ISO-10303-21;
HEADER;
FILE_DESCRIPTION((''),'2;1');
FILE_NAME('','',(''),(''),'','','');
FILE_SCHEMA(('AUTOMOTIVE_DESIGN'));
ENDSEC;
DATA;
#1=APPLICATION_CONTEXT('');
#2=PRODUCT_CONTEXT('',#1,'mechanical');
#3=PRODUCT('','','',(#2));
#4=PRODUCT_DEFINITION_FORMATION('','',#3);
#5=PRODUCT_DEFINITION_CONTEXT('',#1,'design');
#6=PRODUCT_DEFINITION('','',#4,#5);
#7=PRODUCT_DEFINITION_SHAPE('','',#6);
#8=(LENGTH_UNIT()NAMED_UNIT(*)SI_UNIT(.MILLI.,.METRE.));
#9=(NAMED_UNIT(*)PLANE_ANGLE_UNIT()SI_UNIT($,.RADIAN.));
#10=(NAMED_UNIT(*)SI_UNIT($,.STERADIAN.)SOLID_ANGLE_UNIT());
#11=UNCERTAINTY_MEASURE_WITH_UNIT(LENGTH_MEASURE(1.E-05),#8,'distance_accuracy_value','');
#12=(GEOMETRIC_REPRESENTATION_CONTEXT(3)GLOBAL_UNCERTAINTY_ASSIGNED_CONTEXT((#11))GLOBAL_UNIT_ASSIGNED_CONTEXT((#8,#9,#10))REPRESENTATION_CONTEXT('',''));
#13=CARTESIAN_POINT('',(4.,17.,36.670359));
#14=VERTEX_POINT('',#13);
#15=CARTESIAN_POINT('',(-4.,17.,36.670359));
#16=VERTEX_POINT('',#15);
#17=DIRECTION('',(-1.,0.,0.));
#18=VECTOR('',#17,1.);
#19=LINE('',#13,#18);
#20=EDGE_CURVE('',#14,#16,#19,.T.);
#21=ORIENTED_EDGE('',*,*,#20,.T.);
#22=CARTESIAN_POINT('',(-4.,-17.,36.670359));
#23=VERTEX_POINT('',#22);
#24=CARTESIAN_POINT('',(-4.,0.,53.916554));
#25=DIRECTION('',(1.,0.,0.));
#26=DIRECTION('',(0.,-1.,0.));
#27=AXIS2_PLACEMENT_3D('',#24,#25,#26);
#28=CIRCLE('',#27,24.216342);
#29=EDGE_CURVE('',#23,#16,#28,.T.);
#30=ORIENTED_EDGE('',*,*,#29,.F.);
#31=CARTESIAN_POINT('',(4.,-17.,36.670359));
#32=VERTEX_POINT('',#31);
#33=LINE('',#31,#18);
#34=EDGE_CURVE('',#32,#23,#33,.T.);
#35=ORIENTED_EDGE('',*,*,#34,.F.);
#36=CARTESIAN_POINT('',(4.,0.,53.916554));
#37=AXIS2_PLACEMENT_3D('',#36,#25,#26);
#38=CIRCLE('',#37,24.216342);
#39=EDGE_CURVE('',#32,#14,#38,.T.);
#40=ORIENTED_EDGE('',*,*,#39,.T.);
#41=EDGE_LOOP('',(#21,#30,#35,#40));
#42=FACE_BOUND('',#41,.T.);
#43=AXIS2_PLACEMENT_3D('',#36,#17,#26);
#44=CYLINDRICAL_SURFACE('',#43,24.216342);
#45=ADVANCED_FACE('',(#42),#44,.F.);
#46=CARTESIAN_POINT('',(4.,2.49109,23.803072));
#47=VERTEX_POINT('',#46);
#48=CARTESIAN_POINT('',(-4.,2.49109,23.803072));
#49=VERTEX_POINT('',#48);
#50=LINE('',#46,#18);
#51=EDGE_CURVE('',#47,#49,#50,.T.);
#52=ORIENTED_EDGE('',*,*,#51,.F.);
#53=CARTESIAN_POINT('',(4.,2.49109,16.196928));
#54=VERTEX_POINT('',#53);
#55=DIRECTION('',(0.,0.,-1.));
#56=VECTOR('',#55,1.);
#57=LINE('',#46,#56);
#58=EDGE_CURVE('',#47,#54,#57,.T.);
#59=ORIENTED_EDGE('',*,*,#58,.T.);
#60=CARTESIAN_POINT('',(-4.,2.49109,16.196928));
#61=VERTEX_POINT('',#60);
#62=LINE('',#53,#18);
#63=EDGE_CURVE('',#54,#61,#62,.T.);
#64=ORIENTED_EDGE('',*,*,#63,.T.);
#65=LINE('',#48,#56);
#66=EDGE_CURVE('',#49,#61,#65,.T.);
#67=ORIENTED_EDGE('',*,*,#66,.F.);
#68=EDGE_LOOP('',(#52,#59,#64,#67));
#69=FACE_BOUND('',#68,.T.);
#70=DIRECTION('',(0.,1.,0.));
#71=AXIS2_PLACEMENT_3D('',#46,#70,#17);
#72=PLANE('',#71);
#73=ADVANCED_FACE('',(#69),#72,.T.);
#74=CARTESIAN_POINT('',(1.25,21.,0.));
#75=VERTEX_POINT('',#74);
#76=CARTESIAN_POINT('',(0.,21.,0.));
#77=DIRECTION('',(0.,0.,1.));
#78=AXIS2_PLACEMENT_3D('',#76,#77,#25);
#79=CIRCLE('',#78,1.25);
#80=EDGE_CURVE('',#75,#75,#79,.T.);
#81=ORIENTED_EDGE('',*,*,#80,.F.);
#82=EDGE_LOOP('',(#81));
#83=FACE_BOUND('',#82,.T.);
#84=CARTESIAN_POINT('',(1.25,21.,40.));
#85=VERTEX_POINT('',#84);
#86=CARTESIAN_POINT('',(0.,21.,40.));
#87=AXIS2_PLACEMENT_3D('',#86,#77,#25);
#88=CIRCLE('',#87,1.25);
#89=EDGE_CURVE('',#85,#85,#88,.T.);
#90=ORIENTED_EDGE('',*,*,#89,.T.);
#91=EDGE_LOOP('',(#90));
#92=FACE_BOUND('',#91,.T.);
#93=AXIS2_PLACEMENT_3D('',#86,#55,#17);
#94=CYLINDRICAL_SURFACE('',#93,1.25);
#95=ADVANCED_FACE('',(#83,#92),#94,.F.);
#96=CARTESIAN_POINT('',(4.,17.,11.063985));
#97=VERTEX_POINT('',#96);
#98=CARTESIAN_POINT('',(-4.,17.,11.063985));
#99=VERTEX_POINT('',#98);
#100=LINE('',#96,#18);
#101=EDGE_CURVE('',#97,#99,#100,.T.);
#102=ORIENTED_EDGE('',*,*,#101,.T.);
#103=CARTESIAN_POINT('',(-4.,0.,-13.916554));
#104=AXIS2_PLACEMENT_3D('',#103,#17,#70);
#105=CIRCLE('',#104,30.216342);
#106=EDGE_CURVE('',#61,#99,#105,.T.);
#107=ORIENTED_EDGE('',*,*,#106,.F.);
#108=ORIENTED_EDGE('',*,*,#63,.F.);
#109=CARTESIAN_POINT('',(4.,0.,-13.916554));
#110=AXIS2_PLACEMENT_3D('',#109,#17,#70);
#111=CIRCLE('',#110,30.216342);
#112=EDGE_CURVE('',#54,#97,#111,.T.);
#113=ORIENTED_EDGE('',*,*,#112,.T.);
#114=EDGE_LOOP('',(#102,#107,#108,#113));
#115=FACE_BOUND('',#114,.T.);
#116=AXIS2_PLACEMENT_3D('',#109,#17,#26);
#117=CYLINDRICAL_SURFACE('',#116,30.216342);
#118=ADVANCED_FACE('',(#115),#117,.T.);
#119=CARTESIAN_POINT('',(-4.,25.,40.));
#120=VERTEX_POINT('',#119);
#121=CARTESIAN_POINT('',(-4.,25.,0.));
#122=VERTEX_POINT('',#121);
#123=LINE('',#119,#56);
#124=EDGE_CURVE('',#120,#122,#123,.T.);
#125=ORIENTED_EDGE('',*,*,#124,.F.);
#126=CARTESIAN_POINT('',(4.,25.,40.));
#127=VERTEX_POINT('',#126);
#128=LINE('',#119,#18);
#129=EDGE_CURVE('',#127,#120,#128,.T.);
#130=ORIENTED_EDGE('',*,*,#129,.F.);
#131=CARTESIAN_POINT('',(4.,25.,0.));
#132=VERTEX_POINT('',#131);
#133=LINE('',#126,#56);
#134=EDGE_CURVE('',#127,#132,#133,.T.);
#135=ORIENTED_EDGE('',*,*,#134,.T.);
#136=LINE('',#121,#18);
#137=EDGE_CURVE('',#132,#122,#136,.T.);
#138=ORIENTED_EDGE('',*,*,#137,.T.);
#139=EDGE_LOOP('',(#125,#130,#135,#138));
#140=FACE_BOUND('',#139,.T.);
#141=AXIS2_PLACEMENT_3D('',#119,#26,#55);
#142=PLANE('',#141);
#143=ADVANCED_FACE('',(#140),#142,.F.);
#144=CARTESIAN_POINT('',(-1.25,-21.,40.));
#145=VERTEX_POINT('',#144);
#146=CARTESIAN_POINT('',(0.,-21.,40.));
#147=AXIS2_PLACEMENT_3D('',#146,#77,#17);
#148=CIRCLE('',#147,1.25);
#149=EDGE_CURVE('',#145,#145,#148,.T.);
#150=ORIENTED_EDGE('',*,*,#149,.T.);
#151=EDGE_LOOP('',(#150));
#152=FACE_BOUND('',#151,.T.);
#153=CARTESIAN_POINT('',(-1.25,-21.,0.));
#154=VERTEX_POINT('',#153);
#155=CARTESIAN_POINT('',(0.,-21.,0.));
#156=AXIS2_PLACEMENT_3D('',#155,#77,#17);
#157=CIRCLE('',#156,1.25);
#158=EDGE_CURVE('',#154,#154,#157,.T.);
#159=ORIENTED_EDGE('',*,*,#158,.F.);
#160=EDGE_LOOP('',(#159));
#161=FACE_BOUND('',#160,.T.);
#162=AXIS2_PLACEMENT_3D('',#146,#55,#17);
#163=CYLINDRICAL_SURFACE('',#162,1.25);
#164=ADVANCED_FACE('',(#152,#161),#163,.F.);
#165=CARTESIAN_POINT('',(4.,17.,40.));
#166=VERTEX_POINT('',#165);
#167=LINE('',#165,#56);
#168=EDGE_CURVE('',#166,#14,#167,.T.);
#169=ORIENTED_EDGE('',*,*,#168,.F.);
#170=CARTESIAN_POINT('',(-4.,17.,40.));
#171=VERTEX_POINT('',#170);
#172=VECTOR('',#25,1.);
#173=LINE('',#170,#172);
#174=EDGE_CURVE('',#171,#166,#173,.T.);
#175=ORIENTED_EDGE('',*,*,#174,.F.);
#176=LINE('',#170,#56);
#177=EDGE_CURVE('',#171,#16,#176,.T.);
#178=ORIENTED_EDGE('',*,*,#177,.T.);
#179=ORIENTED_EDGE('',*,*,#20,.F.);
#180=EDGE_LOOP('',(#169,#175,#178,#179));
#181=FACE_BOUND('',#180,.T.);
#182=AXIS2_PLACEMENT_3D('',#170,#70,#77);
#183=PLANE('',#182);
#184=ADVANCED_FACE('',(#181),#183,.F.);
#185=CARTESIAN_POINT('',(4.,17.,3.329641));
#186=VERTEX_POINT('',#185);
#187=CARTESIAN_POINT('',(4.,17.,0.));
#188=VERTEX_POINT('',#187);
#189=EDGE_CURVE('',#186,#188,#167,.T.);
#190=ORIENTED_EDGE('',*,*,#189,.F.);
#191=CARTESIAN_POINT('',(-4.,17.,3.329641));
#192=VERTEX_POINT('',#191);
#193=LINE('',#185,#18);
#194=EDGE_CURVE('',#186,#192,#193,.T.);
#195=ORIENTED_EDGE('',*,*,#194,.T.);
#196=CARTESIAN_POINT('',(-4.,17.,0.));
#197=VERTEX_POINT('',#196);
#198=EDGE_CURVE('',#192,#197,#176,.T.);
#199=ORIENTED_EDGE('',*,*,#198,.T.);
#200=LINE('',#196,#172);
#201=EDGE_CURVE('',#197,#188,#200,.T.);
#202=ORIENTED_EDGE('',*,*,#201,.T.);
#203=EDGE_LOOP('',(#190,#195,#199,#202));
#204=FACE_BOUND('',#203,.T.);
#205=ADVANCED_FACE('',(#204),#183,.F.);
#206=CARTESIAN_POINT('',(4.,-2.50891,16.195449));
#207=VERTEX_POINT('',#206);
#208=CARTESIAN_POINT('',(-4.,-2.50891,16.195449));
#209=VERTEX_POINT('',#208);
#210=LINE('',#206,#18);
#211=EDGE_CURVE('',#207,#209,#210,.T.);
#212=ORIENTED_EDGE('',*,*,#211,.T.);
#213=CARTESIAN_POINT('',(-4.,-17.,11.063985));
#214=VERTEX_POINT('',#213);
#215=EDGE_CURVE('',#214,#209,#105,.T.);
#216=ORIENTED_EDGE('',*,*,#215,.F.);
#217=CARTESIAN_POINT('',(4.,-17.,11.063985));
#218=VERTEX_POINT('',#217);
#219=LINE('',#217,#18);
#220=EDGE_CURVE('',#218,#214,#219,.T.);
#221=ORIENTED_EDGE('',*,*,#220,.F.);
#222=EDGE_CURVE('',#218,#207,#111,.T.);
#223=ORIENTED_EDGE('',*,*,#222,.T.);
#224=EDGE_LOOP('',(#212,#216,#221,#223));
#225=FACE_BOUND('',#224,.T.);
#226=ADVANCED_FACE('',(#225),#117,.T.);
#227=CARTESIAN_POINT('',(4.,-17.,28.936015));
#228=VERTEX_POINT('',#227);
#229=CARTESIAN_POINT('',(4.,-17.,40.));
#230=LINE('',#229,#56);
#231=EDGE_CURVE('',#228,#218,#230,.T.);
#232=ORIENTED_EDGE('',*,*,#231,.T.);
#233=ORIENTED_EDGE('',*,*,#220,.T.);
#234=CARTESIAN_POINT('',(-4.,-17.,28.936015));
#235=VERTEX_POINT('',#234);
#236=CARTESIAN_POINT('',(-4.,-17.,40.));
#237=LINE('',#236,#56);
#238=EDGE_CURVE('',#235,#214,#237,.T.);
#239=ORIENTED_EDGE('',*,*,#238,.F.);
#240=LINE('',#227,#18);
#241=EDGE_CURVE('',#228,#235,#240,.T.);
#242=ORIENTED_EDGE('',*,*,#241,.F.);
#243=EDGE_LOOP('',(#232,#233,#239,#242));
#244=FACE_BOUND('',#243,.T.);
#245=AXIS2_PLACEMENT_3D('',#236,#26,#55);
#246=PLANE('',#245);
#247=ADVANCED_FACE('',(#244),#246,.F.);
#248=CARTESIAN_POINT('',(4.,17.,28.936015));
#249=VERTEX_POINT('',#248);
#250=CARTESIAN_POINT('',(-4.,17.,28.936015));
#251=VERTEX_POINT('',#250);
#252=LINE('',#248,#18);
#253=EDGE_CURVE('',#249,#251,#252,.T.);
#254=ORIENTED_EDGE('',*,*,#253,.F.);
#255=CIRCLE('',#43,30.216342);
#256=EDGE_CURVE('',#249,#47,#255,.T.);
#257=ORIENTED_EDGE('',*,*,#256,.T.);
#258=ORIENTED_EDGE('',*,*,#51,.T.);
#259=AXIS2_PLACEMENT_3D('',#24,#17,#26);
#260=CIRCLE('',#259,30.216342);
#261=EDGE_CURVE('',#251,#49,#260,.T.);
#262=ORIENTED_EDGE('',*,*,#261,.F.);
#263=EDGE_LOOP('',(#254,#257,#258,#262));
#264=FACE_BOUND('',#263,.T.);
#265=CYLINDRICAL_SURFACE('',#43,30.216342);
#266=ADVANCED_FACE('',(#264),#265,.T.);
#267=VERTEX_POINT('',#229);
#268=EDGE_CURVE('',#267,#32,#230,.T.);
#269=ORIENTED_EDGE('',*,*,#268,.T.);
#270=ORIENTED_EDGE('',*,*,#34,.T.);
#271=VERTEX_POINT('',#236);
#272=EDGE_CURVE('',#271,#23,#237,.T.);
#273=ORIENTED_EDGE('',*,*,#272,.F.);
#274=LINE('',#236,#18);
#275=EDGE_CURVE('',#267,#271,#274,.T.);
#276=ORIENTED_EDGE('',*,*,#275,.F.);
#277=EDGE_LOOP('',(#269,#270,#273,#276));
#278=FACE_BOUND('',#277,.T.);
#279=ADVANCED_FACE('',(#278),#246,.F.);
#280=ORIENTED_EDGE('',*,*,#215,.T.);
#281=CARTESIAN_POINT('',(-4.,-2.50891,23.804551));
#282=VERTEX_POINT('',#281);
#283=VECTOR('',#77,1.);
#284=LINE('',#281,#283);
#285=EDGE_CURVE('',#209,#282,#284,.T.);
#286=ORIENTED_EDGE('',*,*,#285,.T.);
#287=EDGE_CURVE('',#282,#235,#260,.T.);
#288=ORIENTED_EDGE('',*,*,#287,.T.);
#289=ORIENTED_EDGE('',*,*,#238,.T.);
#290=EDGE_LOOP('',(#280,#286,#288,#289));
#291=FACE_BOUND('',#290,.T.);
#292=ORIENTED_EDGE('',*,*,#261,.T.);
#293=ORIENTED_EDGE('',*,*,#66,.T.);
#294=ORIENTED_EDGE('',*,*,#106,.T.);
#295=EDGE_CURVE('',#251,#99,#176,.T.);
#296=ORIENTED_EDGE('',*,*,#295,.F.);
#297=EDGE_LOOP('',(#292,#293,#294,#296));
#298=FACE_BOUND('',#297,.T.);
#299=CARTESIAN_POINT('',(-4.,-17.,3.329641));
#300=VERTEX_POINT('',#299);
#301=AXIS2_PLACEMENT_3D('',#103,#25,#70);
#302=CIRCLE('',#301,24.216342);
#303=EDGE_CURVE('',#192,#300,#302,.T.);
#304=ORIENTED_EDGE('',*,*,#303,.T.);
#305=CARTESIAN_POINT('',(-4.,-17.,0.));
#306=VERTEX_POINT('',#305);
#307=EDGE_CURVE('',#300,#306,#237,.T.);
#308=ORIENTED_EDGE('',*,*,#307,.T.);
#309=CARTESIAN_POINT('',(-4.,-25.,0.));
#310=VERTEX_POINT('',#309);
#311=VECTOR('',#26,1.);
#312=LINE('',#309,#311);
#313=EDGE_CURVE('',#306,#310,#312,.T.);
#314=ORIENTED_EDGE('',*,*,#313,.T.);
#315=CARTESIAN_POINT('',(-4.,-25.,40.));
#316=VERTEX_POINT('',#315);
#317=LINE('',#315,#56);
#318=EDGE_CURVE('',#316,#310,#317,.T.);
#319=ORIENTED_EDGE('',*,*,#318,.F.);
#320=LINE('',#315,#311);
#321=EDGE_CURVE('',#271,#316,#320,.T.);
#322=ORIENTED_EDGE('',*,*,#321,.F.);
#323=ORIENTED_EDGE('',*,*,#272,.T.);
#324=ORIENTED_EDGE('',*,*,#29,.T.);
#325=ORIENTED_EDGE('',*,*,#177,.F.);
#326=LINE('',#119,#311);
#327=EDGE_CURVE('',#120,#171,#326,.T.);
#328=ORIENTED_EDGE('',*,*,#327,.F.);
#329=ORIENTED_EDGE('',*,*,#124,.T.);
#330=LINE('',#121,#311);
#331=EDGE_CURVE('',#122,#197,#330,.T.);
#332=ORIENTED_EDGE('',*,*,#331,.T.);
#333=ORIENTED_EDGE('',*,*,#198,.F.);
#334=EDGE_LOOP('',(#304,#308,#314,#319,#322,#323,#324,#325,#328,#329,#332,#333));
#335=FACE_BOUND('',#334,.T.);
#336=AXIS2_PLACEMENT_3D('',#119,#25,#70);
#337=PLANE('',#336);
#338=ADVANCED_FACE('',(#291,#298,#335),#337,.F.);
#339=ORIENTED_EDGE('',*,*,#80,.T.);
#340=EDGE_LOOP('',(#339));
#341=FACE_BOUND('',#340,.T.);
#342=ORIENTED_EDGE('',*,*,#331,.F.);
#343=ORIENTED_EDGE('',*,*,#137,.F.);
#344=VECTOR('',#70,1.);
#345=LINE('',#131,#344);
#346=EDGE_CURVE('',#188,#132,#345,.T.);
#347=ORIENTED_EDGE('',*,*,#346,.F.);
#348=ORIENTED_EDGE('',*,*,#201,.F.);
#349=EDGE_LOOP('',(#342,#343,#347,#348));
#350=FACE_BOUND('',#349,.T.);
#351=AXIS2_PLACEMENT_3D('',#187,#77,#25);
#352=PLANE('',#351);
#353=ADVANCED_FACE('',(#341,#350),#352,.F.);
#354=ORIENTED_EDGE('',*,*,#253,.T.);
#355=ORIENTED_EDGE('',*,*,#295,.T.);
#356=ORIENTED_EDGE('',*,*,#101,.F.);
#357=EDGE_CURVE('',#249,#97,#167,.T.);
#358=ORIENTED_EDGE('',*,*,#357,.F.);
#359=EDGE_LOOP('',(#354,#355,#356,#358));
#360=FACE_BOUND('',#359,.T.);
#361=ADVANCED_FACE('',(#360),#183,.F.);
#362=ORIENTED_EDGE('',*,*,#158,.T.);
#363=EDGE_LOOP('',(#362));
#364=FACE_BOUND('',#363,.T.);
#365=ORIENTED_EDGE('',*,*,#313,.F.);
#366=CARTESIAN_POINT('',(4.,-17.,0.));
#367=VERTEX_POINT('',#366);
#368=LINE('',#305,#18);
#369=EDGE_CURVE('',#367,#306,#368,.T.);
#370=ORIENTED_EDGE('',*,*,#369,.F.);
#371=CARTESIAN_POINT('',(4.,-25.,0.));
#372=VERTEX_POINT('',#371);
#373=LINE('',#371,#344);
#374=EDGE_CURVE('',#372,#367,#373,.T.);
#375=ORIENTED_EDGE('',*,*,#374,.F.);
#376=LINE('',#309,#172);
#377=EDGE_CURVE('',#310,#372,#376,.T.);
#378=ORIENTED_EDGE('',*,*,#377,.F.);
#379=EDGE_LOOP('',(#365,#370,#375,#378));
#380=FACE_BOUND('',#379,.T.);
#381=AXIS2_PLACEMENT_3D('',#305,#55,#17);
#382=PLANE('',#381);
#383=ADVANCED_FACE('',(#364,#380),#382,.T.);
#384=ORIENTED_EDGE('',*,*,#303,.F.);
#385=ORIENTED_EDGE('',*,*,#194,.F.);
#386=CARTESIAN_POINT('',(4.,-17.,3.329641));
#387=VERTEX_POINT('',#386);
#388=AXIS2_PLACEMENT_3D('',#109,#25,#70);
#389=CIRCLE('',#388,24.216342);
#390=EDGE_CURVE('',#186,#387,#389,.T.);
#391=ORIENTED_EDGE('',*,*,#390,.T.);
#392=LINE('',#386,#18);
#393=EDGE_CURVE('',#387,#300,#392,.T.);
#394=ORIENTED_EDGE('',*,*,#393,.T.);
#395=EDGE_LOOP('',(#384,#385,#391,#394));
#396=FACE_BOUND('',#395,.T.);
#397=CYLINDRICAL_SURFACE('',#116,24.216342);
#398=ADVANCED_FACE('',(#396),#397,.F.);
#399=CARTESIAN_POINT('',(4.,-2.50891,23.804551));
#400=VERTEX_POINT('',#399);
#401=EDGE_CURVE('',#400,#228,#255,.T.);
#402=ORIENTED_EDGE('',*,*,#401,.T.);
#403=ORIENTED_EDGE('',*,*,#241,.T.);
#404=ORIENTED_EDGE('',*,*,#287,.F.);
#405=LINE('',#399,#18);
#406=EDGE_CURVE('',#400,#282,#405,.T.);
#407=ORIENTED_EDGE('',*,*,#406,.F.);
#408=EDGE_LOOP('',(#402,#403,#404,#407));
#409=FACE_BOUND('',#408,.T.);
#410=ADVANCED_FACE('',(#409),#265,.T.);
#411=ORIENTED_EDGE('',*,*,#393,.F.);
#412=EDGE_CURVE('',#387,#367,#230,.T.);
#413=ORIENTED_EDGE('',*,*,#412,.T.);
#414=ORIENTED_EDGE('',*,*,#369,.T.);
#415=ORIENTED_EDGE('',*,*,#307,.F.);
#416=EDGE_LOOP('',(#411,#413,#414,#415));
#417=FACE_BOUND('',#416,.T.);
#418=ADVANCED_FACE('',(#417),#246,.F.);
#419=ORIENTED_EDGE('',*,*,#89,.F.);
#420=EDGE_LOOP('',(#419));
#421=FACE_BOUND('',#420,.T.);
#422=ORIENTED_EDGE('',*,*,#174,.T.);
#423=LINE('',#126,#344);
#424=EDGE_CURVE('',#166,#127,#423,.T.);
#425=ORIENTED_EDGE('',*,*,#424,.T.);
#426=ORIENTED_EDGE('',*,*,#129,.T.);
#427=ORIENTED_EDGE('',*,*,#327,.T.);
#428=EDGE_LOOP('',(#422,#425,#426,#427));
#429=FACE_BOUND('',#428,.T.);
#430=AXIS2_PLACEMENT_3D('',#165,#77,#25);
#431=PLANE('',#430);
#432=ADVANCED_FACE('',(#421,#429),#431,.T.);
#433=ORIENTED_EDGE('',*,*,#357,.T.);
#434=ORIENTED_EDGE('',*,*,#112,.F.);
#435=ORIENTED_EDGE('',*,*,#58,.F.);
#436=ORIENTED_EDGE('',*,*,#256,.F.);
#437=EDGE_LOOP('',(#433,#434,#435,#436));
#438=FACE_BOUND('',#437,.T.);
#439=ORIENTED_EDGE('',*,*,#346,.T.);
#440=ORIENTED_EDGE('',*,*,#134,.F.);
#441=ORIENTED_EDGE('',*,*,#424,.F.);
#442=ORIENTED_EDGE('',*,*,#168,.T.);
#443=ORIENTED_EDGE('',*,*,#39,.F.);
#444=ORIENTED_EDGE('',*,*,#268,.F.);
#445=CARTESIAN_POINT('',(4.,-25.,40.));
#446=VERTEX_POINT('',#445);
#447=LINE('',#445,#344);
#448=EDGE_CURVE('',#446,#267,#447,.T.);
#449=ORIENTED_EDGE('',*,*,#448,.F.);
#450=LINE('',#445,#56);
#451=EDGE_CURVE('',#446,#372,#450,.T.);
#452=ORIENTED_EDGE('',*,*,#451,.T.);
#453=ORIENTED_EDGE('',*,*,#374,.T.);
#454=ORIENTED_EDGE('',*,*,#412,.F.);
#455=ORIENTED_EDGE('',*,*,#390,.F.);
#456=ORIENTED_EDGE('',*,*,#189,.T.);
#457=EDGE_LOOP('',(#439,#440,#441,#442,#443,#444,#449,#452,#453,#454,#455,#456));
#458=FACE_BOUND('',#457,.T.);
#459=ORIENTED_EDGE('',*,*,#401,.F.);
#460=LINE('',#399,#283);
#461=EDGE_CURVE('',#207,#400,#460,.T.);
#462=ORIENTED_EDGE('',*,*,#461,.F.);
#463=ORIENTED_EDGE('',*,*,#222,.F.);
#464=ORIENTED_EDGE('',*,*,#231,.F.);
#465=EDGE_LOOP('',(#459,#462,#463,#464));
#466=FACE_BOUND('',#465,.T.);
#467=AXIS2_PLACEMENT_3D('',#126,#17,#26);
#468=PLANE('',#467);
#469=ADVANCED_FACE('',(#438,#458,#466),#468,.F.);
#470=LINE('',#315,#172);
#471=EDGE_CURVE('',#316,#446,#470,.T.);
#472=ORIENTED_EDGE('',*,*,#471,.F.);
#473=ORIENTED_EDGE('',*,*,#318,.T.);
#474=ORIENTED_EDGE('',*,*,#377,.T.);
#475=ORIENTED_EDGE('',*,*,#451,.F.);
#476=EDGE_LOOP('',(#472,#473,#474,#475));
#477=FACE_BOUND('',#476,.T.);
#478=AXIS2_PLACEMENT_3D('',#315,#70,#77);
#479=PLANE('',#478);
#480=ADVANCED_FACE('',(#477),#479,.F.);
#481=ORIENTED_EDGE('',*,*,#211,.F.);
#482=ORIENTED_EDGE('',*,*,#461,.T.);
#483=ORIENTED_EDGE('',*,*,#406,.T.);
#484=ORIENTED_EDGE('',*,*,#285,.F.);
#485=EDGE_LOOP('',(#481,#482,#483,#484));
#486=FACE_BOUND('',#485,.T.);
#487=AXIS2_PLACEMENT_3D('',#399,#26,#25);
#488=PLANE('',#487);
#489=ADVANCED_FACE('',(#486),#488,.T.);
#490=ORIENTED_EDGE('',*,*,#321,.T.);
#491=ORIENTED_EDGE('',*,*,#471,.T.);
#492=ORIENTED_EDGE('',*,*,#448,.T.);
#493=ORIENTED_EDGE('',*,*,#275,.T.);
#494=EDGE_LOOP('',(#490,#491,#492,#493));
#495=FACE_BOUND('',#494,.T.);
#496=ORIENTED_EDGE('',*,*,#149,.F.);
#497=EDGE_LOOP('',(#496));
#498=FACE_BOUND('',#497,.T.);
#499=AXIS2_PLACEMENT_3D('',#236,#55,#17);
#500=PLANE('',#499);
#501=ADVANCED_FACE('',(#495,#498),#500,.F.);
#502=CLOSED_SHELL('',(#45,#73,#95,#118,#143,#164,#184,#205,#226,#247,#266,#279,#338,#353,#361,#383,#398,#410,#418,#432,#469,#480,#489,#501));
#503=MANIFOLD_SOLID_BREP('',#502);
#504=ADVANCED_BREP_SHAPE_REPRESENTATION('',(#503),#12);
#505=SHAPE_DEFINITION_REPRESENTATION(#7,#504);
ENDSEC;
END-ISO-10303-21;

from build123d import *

# Parameters (mm, degrees)
SKETCH1_W             = 8
SKETCH1_H             = 8
SKETCH1_R             = 1.25
BOSS_EXTRUDE1_DEPTH   = 40
BOSS_EXTRUDE1_2_DEPTH = 40
BOSS_EXTRUDE2_DEPTH   = 8


with BuildPart() as part:
    # Sketch1 → Boss-Extrude1 (new body)
    with BuildSketch(Plane.XY):
        with Locations((0, 21)):
            Rectangle(SKETCH1_W, SKETCH1_H)
        with Locations((0, 21)):
            Circle(SKETCH1_R, mode=Mode.SUBTRACT)
    extrude(amount=BOSS_EXTRUDE1_DEPTH)



with BuildPart() as body_2:
    # Sketch1 → Boss-Extrude1 2 (new body)
    with BuildSketch(Plane.XY):
        with Locations((0, -21)):
            Rectangle(SKETCH1_W, SKETCH1_H)
        with Locations(Location((0, -21, 0), (0, 0, 180))):
            Circle(SKETCH1_R, mode=Mode.SUBTRACT)
    extrude(amount=BOSS_EXTRUDE1_2_DEPTH)


with BuildPart() as part_1:
    add(part.part)

    add(body_2.part)  # Boss-Extrude2 merges body 2
    # Sketch2 → Boss-Extrude2 (add)
    with BuildSketch(Plane.ZY.offset(4)):
        with BuildLine():
            Line((3.329640508, 17), (11.063985021, 17))
            ThreePointArc((11.063985021, 17), (14.56966913, 10.077818269), (16.196928044, 2.491089763))
            Line((16.196928044, 2.491089763), (23.803071956, 2.491089763))
            ThreePointArc((23.803071956, 2.491089763), (25.43033087, 10.077818269), (28.936014979, 17))
            Line((28.936014979, 17), (36.670359492, 17))
            ThreePointArc((36.670359492, 17), (29.700211914, 0), (36.670359492, -17))
            Line((36.670359492, -17), (28.936014979, -17))
            ThreePointArc((28.936014979, -17), (25.433314102, -10.086246784), (23.804551435, -2.508910237))
            Line((23.804551435, -2.508910237), (16.195448565, -2.508910237))
            ThreePointArc((16.195448565, -2.508910237), (14.566685898, -10.086246784), (11.063985021, -17))
            Line((11.063985021, -17), (3.329640508, -17))
            ThreePointArc((3.329640508, -17), (10.299788086, 0), (3.329640508, 17))
        make_face()
    extrude(amount=-BOSS_EXTRUDE2_DEPTH)


solid = part_1.part
